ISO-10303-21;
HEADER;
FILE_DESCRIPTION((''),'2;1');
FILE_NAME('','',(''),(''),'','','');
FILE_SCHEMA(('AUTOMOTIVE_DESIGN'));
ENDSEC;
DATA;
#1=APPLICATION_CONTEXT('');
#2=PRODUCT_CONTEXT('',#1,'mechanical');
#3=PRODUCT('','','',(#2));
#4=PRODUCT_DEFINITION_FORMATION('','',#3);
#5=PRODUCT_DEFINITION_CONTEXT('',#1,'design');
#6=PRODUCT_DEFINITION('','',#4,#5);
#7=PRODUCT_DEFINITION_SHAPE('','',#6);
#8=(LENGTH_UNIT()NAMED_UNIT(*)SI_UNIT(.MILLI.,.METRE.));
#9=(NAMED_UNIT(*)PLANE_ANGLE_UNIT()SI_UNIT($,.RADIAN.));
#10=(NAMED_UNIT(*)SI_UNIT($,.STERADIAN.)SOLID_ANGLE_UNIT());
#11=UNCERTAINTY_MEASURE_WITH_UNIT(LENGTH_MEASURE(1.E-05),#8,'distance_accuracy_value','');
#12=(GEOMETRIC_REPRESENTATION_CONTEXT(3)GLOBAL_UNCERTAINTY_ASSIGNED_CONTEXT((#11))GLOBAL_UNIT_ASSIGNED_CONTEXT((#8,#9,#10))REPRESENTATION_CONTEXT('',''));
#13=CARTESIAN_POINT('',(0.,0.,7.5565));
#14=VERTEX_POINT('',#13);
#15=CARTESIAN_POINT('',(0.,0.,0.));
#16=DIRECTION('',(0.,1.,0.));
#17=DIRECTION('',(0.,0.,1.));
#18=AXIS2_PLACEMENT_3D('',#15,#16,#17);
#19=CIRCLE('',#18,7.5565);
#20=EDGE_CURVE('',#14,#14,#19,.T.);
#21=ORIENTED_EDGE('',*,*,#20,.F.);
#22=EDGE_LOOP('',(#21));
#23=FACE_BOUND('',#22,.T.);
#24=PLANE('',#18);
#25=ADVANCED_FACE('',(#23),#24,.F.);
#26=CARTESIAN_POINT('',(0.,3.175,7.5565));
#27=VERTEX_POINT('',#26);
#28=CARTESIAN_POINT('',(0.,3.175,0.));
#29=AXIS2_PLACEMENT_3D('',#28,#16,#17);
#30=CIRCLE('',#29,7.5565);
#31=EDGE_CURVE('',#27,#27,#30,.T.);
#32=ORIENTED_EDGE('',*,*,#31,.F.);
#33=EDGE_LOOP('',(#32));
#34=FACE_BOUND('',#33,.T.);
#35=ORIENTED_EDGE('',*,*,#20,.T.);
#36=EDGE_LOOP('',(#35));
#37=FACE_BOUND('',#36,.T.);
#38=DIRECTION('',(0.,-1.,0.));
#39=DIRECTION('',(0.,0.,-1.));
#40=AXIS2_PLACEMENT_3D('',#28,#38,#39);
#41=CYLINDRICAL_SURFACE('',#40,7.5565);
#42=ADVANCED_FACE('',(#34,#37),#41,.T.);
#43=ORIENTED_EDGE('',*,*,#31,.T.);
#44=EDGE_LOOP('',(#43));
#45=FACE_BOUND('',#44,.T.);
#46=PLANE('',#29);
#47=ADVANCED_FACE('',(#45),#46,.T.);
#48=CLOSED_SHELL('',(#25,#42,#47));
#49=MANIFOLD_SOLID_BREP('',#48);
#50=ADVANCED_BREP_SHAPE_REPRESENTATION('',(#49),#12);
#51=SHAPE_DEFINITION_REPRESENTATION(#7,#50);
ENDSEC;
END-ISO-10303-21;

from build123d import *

# Parameters (mm, degrees)
SKETCH1_R           = 7.5565
BOSS_EXTRUDE1_DEPTH = 3.175


with BuildPart() as part:
    # Sketch1 → Boss-Extrude1 (new body)
    with BuildSketch(Plane(origin=(0, 0, 0), x_dir=(1, 0, 0), z_dir=(0, 1, 0))):
        Circle(SKETCH1_R)
    extrude(amount=BOSS_EXTRUDE1_DEPTH)


solid = part.part
